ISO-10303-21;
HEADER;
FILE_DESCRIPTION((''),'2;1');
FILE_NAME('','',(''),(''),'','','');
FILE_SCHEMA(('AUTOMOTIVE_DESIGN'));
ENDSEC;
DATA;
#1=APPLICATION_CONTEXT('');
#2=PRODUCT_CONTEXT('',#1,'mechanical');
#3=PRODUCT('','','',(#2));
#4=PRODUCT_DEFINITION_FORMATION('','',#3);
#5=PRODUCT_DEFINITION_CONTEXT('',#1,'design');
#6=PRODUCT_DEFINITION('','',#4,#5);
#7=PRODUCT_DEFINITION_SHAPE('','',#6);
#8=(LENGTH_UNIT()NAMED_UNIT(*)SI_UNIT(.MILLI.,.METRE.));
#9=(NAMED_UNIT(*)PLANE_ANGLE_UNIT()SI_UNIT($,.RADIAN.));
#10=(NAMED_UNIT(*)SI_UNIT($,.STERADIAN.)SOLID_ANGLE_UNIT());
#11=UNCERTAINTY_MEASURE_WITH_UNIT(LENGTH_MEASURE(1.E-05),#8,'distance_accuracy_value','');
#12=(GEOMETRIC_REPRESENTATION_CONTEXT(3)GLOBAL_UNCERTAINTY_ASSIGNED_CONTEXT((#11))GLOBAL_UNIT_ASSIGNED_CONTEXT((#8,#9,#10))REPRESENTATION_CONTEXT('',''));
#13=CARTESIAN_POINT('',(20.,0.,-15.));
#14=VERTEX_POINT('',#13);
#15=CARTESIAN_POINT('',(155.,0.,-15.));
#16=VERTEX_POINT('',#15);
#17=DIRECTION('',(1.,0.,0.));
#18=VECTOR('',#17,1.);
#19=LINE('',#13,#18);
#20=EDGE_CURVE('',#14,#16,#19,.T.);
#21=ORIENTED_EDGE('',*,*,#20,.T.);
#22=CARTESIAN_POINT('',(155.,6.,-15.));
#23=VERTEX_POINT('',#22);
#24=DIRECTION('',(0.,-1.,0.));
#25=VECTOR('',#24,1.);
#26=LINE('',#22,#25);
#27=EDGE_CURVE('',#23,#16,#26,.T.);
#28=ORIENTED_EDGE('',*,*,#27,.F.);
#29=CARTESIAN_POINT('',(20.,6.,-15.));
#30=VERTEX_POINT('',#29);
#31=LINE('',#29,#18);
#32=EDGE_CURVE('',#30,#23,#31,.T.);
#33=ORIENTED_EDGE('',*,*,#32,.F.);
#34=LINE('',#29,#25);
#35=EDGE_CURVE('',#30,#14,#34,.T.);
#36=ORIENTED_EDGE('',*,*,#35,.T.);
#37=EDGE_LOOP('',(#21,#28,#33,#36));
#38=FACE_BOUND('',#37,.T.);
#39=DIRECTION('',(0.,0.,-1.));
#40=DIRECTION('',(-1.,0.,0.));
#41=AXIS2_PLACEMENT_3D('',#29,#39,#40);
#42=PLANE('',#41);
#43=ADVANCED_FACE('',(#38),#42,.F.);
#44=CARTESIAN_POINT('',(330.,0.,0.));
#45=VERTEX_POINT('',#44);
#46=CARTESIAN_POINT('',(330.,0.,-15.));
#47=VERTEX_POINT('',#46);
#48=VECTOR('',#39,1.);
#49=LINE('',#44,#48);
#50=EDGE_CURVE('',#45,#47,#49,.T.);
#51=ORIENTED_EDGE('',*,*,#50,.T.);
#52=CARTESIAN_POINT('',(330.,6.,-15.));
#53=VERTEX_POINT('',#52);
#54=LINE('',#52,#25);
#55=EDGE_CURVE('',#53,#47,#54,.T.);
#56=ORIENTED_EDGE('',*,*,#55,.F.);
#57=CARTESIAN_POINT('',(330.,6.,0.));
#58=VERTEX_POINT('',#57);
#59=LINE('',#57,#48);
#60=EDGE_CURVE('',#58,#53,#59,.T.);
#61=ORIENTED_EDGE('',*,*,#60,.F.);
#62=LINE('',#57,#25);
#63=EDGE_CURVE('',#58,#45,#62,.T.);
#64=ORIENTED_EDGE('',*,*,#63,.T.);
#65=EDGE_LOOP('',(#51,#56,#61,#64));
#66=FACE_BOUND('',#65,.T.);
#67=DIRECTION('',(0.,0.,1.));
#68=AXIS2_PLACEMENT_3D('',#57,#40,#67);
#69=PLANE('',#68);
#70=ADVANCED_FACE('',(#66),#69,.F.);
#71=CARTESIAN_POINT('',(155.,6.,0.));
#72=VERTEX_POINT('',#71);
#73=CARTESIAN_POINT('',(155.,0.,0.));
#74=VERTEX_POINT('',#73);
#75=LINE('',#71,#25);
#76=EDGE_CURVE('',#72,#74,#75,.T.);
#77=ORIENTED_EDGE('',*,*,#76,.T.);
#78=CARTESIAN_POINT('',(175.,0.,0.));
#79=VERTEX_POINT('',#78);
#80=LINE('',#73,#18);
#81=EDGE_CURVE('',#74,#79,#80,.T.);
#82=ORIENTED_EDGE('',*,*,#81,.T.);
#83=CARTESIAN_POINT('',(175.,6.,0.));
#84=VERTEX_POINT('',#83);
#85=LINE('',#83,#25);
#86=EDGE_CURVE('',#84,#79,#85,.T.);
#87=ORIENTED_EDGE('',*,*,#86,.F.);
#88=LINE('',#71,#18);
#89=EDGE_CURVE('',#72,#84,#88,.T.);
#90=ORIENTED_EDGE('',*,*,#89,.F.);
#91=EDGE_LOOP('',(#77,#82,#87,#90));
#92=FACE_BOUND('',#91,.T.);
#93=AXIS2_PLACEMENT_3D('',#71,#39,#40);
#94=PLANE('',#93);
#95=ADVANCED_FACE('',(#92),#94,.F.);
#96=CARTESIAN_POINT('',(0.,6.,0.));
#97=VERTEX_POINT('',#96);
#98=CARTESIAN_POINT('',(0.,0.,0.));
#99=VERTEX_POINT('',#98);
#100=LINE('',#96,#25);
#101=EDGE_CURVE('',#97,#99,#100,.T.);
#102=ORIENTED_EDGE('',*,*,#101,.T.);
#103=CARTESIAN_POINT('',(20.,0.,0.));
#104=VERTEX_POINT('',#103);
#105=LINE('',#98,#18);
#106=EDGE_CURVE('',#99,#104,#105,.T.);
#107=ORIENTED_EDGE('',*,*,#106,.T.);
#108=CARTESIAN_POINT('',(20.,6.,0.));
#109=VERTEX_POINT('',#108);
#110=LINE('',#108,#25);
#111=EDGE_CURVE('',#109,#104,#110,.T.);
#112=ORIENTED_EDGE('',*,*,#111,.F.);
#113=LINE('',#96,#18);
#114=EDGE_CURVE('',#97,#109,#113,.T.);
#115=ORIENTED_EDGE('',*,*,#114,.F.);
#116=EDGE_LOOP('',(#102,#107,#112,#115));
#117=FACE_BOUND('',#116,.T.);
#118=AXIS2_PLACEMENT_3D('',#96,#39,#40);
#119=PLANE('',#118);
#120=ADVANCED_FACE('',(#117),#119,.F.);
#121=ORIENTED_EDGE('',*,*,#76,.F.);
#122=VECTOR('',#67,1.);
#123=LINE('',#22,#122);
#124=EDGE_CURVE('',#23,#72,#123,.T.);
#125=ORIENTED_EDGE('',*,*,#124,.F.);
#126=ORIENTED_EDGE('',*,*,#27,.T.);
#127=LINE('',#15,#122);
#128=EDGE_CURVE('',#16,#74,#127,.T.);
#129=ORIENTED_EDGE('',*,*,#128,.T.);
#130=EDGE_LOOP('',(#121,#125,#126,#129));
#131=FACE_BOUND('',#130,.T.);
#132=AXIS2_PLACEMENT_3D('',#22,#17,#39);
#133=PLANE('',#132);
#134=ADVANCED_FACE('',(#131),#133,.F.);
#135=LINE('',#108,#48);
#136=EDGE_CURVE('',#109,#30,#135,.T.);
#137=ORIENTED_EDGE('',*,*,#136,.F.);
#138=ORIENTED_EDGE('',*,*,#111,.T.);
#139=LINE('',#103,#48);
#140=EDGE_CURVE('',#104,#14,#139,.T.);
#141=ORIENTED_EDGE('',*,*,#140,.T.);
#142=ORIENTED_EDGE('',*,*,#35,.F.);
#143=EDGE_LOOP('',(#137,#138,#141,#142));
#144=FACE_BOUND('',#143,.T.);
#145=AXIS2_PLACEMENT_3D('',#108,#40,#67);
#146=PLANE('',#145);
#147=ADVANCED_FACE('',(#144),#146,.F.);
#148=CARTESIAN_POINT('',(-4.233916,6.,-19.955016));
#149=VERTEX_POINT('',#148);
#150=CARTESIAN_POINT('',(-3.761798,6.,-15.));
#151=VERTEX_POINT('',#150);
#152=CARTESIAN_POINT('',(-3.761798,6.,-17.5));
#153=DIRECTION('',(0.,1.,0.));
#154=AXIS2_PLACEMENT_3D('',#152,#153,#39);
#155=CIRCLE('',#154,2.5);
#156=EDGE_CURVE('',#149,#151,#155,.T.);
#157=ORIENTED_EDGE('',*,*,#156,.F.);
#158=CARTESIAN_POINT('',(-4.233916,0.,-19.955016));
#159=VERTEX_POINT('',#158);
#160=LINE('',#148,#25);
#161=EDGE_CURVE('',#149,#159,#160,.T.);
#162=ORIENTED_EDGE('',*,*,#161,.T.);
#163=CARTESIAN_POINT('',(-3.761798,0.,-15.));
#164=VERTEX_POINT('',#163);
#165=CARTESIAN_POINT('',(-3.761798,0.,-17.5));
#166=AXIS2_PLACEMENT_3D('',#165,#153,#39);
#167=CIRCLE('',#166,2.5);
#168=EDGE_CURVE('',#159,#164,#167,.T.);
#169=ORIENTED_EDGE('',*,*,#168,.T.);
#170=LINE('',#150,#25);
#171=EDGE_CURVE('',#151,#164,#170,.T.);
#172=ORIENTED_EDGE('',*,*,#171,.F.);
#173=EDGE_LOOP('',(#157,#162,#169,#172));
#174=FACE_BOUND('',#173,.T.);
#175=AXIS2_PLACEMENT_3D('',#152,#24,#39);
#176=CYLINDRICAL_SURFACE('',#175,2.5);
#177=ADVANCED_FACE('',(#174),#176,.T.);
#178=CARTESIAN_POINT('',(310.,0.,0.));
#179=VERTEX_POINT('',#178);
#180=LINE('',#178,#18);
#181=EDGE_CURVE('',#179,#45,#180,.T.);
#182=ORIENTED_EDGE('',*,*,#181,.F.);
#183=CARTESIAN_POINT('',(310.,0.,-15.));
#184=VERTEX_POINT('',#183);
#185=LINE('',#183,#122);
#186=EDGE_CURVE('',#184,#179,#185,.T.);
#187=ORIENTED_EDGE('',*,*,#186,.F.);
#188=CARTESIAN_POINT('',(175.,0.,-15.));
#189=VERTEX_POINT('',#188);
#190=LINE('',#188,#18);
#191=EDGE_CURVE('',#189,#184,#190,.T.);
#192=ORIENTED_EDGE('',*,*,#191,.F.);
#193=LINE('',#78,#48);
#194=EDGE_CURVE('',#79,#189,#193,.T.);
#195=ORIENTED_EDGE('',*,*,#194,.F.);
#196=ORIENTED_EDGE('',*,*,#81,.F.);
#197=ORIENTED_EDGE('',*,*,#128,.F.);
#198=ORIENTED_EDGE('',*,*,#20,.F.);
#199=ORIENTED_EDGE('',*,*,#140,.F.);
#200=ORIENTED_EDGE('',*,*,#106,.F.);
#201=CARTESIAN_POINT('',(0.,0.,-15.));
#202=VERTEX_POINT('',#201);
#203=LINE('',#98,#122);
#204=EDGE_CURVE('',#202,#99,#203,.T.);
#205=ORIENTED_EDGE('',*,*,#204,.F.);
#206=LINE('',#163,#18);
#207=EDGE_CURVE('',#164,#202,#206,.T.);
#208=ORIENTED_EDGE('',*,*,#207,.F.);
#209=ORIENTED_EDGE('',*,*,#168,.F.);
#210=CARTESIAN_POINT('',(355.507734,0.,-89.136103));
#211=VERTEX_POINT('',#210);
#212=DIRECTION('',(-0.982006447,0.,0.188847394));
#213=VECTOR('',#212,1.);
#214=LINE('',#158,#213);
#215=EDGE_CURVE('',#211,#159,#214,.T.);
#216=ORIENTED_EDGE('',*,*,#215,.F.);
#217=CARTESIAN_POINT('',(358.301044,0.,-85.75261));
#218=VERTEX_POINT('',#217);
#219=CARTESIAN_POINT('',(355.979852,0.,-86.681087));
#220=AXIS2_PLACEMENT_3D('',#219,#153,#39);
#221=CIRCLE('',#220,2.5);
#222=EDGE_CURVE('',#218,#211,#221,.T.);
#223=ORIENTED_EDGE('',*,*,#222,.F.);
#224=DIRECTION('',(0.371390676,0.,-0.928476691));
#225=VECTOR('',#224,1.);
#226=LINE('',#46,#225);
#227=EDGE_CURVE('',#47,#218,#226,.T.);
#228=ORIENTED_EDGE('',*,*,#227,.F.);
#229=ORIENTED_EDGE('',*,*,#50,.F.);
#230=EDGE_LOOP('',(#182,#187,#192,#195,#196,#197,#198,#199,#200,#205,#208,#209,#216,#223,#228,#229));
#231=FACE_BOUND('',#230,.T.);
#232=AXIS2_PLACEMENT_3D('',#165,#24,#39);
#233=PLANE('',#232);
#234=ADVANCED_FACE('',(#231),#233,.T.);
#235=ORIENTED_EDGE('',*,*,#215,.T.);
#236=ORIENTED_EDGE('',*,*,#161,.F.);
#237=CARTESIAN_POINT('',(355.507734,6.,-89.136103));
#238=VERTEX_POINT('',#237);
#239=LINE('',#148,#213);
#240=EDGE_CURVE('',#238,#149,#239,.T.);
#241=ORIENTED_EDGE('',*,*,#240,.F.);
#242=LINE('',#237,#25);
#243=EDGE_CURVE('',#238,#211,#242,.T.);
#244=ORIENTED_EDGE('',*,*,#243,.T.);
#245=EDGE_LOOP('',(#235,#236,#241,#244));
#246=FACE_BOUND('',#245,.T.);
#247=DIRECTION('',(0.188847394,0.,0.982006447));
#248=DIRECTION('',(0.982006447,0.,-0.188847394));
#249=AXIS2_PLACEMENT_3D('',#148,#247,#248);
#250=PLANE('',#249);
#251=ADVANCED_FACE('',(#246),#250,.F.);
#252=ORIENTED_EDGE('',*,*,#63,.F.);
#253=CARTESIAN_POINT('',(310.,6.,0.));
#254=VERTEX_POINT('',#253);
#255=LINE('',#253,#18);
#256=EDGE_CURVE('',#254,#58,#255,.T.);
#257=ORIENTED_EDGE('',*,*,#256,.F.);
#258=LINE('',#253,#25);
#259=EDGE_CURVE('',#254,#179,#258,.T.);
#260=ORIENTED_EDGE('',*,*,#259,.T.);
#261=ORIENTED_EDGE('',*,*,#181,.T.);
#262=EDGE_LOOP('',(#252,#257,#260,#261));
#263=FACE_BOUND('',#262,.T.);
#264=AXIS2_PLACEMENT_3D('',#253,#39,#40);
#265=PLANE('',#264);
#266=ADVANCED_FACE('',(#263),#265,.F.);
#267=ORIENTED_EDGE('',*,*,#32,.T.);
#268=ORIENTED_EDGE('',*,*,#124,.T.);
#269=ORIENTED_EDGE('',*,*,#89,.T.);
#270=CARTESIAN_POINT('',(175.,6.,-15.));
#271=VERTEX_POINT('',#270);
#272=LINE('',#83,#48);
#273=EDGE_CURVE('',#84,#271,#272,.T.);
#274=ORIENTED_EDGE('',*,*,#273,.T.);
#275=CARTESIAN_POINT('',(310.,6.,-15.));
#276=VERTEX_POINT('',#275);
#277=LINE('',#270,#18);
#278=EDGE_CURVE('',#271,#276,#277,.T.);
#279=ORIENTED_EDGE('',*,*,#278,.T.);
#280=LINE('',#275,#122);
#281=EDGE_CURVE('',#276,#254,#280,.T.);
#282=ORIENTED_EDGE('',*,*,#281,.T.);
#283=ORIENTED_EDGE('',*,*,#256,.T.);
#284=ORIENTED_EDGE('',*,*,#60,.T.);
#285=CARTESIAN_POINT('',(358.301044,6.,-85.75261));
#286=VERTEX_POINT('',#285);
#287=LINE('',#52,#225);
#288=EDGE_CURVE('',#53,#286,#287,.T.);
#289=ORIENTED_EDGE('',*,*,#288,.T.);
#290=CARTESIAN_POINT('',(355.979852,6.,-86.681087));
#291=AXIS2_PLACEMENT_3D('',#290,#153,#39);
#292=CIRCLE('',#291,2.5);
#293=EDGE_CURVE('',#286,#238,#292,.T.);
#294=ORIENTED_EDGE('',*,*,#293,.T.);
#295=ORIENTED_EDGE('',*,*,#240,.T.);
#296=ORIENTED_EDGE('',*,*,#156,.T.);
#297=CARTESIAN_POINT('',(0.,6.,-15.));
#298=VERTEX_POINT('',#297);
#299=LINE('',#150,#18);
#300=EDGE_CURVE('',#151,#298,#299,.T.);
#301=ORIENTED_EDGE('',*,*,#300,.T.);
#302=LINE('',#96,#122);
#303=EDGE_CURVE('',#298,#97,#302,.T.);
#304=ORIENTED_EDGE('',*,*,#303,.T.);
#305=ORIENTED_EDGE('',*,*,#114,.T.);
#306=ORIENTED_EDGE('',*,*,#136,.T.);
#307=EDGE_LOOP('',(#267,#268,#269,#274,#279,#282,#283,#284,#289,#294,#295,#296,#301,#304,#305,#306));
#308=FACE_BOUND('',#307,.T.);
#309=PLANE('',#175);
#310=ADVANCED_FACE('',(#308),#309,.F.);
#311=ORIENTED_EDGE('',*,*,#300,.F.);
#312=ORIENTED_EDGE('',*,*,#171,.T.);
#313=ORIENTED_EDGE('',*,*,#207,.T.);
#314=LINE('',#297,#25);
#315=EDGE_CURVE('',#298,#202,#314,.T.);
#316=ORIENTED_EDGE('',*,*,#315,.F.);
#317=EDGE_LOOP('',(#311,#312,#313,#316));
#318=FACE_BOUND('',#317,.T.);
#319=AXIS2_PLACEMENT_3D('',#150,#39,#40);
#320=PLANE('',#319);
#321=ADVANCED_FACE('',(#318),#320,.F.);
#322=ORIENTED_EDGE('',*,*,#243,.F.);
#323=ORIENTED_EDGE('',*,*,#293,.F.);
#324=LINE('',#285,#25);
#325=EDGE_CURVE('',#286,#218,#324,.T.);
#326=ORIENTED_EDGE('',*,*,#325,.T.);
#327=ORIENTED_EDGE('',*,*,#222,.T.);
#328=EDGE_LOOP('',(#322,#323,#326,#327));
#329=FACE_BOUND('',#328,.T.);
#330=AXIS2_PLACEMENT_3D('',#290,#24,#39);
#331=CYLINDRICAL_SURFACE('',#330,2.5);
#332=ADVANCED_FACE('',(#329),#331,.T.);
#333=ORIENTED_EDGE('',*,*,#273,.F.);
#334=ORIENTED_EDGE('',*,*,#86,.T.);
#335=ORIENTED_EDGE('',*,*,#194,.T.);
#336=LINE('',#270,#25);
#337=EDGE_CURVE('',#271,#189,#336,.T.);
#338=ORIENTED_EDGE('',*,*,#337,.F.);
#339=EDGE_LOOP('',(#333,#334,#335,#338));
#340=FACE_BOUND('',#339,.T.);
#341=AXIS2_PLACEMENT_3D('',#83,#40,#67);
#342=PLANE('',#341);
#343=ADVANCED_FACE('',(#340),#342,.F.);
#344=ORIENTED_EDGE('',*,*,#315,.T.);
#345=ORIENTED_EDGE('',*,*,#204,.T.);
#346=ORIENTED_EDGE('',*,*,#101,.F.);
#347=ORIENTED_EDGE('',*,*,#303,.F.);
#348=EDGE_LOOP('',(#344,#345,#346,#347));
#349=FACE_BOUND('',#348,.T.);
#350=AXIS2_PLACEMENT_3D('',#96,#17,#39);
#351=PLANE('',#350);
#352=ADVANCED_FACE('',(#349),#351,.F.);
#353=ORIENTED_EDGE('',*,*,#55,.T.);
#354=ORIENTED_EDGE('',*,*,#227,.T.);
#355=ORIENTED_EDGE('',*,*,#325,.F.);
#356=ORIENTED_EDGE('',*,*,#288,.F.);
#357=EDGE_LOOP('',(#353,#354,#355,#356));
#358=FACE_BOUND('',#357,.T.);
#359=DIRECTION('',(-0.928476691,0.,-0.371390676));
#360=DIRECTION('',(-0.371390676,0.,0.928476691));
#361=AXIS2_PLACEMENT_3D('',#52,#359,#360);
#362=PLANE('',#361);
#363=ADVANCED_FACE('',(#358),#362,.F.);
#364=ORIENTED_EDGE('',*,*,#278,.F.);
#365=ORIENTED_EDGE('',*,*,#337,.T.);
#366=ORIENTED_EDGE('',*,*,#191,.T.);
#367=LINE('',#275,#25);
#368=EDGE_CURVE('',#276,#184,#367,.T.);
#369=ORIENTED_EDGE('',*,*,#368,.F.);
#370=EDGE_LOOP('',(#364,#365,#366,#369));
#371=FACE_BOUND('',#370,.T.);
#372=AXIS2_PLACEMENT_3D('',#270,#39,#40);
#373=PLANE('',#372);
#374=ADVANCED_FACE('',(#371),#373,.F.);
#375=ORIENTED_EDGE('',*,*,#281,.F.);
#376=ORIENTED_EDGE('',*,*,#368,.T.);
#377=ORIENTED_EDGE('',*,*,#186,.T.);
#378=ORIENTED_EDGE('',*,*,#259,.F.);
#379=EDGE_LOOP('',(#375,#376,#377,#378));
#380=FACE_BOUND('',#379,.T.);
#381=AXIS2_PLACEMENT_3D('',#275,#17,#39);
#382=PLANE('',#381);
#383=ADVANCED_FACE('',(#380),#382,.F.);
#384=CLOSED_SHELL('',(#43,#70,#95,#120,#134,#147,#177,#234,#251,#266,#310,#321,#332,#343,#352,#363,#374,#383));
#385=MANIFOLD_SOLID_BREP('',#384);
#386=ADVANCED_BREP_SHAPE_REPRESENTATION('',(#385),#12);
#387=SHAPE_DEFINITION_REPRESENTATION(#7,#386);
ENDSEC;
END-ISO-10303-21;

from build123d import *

# Parameters (mm, degrees)
RESSALTO_EXTRUS_O1_DEPTH = 6


with BuildPart() as part:
    # Esboço1 → Ressalto-extrusão1 (new body)
    with BuildSketch(Plane(origin=(0, 0, 0), x_dir=(1, 0, 0), z_dir=(0, 1, 0))):
        with BuildLine():
            Line((-4.233916189, 19.955016117), (355.507733721, 89.136102639))
            ThreePointArc((355.507733721, 89.136102639), (357.907745838, 88.272697698), (358.301043932, 85.75260983))
            Line((358.301043932, 85.75260983), (330, 15))
            Line((330, 15), (330, 0))
            Line((330, 0), (310, 0))
            Line((310, 0), (310, 15))
            Line((310, 15), (175, 15))
            Line((175, 15), (175, 0))
            Line((175, 0), (155, 0))
            Line((155, 0), (155, 15))
            Line((155, 15), (20, 15))
            Line((20, 15), (20, 0))
            Line((20, 0), (0, 0))
            Line((0, 0), (0, 15))
            Line((0, 15), (-3.761797705, 15))
            ThreePointArc((-3.761797705, 15), (-6.250526326, 17.262871653), (-4.233916189, 19.955016117))
        make_face()
    extrude(amount=RESSALTO_EXTRUS_O1_DEPTH)


solid = part.part
